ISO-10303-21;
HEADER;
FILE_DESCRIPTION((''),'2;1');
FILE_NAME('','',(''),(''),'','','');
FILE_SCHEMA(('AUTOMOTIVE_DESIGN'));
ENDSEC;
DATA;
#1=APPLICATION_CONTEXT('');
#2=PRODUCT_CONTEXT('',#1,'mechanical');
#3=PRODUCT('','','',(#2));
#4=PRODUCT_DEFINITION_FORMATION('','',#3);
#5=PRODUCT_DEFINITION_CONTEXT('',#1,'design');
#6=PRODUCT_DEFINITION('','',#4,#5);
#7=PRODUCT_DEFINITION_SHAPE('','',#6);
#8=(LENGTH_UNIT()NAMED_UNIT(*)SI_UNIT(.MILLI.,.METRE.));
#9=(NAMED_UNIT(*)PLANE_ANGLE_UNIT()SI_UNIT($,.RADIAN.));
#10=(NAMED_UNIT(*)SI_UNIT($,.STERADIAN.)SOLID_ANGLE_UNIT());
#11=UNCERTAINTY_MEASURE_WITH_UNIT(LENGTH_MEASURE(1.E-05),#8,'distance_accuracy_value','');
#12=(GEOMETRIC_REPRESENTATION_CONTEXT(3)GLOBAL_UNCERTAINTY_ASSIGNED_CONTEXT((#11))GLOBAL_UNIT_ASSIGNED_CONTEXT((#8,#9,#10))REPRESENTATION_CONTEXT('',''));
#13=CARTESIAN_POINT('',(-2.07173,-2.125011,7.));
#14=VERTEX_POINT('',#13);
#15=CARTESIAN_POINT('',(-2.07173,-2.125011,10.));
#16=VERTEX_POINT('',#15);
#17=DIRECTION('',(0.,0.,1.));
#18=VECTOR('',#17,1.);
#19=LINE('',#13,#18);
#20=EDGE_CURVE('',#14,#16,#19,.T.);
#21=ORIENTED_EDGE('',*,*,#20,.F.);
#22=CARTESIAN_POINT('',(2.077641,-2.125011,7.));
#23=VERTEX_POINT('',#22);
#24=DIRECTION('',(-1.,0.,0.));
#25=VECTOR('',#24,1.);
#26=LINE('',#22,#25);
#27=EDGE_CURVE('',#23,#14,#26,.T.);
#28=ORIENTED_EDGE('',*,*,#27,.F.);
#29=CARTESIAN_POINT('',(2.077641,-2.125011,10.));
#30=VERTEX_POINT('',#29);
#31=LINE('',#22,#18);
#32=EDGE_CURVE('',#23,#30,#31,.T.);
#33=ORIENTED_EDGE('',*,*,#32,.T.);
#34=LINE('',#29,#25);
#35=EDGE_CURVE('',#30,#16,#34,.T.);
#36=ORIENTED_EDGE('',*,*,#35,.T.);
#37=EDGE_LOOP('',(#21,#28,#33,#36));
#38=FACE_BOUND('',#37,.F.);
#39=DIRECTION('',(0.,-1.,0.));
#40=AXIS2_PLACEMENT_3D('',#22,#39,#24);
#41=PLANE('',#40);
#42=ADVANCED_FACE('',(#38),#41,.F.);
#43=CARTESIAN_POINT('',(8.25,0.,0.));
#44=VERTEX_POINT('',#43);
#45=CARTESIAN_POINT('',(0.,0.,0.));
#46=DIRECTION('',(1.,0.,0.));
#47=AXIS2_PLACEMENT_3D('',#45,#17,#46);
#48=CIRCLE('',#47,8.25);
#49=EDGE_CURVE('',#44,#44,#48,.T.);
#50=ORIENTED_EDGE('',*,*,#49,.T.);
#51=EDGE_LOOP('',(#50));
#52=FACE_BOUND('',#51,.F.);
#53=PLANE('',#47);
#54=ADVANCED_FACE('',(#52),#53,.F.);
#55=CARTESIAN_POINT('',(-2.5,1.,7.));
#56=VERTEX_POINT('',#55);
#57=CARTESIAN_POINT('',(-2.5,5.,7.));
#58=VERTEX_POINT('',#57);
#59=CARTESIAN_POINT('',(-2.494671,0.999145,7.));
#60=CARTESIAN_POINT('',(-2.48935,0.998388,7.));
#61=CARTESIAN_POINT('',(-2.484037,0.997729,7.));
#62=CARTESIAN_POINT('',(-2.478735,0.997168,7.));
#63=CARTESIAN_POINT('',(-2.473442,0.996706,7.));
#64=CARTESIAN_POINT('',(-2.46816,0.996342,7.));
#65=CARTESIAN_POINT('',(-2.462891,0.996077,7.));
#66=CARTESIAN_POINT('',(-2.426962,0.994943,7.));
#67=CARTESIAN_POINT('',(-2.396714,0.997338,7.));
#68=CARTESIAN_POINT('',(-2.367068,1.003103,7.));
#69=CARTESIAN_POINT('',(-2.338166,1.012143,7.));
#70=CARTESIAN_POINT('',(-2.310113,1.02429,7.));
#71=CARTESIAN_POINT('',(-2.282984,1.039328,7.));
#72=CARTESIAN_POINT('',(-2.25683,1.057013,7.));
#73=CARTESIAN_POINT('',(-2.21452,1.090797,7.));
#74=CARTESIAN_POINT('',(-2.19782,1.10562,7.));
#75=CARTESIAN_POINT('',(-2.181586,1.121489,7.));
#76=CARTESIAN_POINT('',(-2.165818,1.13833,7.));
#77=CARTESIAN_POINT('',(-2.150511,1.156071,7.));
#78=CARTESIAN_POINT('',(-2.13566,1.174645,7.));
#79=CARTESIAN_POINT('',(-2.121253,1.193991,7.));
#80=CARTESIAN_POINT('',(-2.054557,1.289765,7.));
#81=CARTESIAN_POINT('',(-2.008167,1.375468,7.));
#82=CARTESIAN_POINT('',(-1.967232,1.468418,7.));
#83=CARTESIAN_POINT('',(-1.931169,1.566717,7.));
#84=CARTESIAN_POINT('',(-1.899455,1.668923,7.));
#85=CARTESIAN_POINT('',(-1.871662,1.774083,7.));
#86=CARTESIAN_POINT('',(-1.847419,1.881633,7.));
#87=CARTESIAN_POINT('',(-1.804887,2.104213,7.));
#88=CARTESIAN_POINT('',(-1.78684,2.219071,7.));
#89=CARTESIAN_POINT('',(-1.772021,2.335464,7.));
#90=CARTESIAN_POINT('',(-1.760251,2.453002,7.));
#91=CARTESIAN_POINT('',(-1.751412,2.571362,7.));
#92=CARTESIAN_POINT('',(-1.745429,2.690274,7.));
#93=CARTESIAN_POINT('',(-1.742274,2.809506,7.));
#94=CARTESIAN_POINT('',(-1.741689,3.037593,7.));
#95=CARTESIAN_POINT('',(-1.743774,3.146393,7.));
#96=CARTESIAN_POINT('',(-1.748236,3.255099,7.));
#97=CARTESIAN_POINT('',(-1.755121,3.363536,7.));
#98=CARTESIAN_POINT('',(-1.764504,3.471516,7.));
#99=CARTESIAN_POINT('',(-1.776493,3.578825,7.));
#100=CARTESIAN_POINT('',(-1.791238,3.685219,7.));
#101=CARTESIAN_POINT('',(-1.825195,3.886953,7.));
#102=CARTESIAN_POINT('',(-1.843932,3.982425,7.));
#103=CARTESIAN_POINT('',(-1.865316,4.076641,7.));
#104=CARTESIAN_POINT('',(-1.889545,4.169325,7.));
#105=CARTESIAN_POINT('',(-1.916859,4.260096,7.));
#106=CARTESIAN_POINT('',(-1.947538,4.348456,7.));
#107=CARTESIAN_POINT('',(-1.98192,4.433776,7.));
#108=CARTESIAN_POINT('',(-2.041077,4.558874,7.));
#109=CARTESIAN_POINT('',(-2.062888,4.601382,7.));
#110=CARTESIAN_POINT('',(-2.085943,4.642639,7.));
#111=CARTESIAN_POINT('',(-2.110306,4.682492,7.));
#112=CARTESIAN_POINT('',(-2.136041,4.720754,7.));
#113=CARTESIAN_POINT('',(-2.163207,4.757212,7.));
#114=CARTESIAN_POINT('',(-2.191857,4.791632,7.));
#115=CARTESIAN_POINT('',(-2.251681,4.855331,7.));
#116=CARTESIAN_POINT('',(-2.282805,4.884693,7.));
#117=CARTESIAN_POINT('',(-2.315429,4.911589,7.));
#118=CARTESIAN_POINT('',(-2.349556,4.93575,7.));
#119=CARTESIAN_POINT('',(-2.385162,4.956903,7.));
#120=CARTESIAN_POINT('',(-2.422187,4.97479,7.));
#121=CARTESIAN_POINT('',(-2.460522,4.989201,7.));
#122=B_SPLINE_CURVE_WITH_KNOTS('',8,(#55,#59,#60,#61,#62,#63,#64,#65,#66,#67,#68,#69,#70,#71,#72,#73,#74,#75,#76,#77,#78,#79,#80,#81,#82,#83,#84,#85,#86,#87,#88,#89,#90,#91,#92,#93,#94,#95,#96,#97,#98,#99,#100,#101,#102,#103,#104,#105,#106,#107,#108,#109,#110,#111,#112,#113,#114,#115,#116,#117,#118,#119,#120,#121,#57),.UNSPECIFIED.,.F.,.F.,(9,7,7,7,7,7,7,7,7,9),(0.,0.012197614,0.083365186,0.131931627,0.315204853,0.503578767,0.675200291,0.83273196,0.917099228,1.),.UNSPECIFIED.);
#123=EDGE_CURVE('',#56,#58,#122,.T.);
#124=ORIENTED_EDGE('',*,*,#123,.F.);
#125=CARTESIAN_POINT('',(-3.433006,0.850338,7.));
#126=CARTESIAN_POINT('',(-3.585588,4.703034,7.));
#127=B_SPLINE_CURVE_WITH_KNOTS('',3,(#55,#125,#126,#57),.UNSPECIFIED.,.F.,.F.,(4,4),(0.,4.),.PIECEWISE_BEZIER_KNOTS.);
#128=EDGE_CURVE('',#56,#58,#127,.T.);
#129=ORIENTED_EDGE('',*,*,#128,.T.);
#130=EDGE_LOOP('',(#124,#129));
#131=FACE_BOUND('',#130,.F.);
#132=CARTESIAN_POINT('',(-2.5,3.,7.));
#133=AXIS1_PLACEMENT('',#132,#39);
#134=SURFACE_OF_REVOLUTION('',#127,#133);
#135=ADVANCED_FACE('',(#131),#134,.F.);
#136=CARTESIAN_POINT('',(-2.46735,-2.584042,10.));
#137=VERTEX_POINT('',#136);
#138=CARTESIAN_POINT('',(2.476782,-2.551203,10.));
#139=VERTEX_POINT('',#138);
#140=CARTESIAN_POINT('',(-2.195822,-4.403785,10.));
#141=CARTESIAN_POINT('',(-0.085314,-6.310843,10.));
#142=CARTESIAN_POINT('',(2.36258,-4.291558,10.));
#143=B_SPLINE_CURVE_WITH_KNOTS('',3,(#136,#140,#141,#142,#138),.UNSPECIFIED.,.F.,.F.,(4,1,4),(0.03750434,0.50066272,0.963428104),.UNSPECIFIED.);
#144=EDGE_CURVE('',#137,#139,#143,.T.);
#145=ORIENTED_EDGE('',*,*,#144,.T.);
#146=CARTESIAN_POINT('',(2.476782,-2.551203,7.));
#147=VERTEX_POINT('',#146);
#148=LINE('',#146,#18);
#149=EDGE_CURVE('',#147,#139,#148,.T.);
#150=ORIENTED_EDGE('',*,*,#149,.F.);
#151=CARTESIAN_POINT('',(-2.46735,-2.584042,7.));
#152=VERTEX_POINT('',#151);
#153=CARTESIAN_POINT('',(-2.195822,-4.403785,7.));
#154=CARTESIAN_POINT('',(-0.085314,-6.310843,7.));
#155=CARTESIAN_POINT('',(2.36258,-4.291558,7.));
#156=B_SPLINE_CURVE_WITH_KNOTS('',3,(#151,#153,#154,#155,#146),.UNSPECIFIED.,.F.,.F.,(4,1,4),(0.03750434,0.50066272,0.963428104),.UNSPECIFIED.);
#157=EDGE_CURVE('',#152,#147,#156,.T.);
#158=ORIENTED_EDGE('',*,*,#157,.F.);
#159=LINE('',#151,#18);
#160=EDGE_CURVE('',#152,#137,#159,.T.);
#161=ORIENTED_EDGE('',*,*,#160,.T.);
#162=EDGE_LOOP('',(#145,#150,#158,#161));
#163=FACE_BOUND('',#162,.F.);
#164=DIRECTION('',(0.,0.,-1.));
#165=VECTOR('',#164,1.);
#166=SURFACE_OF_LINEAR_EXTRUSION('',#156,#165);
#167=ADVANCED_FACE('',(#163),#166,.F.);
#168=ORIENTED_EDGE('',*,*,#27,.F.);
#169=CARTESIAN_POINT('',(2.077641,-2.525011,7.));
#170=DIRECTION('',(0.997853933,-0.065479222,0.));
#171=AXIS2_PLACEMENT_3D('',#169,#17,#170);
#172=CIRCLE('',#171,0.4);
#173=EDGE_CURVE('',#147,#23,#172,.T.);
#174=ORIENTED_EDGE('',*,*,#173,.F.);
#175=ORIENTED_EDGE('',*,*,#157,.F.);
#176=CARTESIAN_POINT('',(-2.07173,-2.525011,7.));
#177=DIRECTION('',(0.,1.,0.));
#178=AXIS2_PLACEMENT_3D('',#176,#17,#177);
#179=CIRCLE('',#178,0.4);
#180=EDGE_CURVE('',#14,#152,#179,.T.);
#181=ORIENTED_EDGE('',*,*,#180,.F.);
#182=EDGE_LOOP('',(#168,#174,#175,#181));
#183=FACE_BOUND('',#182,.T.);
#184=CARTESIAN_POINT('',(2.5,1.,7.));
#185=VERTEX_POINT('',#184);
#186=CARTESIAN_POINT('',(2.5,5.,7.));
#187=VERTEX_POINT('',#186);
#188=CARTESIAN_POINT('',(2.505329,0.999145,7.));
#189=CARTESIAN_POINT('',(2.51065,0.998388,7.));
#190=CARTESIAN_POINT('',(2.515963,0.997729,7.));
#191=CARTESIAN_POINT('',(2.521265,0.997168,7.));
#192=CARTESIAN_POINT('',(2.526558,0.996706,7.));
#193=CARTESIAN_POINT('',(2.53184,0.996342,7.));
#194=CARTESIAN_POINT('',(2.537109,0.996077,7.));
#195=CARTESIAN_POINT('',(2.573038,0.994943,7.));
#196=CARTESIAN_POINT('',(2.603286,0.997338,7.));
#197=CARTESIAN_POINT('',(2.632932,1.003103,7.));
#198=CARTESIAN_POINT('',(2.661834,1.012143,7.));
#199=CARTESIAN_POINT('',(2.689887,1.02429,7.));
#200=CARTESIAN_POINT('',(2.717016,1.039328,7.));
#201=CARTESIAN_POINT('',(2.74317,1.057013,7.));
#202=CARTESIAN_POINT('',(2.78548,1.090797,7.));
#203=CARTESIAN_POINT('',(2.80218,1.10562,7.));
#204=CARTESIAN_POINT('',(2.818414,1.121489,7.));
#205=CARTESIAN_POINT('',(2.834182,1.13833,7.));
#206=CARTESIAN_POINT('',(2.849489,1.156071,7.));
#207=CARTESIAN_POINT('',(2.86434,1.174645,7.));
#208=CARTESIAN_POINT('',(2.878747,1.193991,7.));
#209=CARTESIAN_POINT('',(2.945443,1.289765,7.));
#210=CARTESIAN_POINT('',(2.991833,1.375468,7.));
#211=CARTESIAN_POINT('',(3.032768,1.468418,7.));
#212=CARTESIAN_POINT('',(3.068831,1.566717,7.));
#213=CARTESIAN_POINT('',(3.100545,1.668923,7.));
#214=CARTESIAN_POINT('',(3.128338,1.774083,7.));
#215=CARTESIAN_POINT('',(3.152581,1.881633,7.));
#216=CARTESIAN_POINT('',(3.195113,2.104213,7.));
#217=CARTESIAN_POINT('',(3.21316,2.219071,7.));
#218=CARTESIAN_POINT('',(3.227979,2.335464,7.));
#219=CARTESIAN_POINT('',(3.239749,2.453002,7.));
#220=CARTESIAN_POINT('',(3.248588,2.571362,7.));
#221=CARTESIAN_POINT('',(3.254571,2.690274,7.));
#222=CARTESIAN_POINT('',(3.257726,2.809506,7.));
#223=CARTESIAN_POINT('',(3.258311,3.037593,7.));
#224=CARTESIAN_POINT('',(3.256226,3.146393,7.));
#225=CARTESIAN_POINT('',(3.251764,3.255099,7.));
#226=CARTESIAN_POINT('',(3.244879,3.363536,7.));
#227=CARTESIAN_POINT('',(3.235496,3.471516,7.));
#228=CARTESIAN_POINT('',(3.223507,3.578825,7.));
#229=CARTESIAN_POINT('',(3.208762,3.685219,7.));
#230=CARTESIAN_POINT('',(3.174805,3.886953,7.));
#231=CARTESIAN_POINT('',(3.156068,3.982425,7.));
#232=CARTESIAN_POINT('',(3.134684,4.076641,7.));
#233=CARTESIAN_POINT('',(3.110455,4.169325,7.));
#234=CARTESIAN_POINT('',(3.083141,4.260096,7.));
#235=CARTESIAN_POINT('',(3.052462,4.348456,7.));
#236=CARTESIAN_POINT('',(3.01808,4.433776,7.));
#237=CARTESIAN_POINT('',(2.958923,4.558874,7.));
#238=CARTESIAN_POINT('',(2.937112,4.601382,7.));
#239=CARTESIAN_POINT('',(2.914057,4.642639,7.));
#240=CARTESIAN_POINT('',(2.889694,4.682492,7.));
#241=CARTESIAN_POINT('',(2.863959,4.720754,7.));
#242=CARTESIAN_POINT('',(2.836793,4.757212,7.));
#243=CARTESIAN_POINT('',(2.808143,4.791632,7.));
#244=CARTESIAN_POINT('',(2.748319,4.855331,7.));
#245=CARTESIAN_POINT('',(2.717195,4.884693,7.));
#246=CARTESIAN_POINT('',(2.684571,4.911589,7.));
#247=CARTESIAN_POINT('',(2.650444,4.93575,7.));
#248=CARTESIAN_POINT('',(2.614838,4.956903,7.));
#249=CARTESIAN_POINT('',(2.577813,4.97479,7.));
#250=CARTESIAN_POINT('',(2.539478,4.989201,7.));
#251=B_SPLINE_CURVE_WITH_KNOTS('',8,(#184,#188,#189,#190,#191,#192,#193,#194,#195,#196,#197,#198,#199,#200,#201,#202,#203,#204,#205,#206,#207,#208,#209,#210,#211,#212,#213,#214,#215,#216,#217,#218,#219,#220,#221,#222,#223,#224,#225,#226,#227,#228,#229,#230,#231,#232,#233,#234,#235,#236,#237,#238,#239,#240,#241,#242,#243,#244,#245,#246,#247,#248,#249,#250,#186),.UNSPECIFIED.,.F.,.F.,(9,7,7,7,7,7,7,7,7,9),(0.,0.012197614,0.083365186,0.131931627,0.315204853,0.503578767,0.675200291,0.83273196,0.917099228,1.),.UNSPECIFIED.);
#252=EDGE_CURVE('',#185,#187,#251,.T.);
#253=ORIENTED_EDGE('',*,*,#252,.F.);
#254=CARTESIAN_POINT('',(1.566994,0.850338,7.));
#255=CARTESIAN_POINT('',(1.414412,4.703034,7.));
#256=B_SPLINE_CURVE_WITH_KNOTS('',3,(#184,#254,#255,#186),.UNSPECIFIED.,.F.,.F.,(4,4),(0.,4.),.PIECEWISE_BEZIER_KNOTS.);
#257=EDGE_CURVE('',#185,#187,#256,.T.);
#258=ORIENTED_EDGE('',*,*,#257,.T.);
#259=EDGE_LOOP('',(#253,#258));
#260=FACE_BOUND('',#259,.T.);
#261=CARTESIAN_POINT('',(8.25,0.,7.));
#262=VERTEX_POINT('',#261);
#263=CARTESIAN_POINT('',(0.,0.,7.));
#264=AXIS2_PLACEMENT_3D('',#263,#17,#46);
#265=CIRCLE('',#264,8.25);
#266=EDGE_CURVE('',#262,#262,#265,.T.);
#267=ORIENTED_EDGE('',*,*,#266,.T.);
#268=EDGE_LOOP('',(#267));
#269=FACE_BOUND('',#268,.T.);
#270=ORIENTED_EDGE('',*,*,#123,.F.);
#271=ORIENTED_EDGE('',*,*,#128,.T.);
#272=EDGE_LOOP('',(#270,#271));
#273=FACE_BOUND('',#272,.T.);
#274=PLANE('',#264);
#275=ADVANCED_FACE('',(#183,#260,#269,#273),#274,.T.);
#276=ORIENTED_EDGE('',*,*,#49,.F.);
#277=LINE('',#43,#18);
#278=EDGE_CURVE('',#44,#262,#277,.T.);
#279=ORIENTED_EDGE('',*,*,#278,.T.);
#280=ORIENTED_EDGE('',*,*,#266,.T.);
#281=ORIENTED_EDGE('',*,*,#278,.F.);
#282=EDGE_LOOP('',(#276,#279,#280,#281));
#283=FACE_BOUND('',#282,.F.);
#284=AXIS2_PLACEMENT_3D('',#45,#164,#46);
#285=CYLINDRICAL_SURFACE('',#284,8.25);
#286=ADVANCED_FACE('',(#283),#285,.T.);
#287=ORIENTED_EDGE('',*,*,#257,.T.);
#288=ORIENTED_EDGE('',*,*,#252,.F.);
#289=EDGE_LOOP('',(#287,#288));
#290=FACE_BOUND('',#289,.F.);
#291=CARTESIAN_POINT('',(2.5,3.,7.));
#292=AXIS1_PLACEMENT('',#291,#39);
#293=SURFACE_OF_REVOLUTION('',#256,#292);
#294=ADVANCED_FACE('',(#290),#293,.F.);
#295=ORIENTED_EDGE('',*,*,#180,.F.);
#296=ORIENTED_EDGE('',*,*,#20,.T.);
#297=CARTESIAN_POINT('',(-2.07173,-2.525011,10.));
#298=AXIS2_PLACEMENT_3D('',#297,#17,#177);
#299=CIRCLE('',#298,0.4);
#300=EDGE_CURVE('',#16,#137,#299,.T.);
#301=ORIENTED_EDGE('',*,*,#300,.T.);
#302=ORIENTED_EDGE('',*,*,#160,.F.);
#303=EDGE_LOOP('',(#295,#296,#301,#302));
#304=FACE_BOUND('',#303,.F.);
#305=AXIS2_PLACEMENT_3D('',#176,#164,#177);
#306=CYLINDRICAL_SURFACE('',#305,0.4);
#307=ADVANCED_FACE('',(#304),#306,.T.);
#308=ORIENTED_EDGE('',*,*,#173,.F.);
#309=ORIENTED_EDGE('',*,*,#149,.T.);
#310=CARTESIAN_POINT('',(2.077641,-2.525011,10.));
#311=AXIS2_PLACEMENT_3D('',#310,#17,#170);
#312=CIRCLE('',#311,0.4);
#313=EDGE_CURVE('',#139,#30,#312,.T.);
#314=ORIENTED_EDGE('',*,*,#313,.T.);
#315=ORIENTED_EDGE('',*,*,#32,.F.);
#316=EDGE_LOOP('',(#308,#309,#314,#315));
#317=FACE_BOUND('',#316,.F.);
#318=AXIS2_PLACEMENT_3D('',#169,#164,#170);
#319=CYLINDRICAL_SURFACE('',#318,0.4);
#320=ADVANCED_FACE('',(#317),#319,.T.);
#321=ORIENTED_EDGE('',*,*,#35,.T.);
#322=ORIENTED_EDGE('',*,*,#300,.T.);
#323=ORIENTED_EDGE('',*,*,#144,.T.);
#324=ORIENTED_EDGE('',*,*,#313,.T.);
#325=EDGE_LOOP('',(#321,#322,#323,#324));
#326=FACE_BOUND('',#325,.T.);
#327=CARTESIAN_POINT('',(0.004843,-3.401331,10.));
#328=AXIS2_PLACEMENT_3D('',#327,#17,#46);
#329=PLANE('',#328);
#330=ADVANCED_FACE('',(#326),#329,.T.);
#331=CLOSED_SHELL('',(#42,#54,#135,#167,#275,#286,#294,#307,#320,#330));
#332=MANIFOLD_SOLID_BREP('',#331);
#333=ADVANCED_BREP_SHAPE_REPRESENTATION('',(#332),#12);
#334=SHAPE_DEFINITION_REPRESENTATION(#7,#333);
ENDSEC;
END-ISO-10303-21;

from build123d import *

# Parameters (mm, degrees)
F0_R     = 8.25
F1_DEPTH = 7
F5_DEPTH = 3


with BuildPart() as f1:
    # F0 (on Top) → F1 (new body)
    with BuildSketch(Plane.XY):
        Circle(F0_R)
    extrude(amount=F1_DEPTH)

    # F2 (on face) → F3 (revolve)
    with BuildSketch(Plane.XY.offset(7)):
        with BuildLine():
            Line((-2.5, 1), (-2.5, 5))
            add(Edge.make_bspline(
                [(-2.5, 1), (-3.43300635, 0.8503383724), (-3.585588187, 4.7030341811), (-2.5, 5)],
                knots=[0, 0, 0, 0, 4, 4, 4, 4], degree=3))
        make_face()
    revolve(axis=Axis((-2.5, 3, 7), (0, -1, 0)))

    # F2 (on face) → F4 (revolve)
    with BuildSketch(Plane.XY.offset(7)):
        with BuildLine():
            Line((2.5, 1), (2.5, 5))
            add(Edge.make_bspline(
                [(2.5, 1), (1.56699365, 0.8503383724), (1.414411813, 4.7030341811), (2.5, 5)],
                knots=[0, 0, 0, 0, 4, 4, 4, 4], degree=3))
        make_face()
    revolve(axis=Axis((2.5, 3, 7), (0, -1, 0)))

    # F2 (on face) → F5 (join)
    with BuildSketch(Plane.XY.offset(7)):
        with BuildLine():
            Line((2.0776409017, -2.1250108257), (-2.0717297527, -2.1250108257))
            ThreePointArc((-2.0717297527, -2.1250108257), (-2.374725272, -2.2638715616), (-2.4673498875, -2.5840422494))
            add(Edge.make_bspline(
                [(-2.4673498875, -2.5840422494), (-2.1958217419, -4.4037849366), (-0.0853140585, -6.3108429823), (2.3625802937, -4.2915575872), (2.4767824749, -2.5512025144)],
                knots=[0.0375043401, 0.0375043401, 0.0375043401, 0.0375043401, 0.50066272, 0.963428104, 0.963428104, 0.963428104, 0.963428104], degree=3))
            ThreePointArc((2.4767824749, -2.5512025144), (2.3695969562, -2.2515850364), (2.0776409017, -2.1250108257))
        make_face()
    extrude(amount=F5_DEPTH)


solid = f1.part
